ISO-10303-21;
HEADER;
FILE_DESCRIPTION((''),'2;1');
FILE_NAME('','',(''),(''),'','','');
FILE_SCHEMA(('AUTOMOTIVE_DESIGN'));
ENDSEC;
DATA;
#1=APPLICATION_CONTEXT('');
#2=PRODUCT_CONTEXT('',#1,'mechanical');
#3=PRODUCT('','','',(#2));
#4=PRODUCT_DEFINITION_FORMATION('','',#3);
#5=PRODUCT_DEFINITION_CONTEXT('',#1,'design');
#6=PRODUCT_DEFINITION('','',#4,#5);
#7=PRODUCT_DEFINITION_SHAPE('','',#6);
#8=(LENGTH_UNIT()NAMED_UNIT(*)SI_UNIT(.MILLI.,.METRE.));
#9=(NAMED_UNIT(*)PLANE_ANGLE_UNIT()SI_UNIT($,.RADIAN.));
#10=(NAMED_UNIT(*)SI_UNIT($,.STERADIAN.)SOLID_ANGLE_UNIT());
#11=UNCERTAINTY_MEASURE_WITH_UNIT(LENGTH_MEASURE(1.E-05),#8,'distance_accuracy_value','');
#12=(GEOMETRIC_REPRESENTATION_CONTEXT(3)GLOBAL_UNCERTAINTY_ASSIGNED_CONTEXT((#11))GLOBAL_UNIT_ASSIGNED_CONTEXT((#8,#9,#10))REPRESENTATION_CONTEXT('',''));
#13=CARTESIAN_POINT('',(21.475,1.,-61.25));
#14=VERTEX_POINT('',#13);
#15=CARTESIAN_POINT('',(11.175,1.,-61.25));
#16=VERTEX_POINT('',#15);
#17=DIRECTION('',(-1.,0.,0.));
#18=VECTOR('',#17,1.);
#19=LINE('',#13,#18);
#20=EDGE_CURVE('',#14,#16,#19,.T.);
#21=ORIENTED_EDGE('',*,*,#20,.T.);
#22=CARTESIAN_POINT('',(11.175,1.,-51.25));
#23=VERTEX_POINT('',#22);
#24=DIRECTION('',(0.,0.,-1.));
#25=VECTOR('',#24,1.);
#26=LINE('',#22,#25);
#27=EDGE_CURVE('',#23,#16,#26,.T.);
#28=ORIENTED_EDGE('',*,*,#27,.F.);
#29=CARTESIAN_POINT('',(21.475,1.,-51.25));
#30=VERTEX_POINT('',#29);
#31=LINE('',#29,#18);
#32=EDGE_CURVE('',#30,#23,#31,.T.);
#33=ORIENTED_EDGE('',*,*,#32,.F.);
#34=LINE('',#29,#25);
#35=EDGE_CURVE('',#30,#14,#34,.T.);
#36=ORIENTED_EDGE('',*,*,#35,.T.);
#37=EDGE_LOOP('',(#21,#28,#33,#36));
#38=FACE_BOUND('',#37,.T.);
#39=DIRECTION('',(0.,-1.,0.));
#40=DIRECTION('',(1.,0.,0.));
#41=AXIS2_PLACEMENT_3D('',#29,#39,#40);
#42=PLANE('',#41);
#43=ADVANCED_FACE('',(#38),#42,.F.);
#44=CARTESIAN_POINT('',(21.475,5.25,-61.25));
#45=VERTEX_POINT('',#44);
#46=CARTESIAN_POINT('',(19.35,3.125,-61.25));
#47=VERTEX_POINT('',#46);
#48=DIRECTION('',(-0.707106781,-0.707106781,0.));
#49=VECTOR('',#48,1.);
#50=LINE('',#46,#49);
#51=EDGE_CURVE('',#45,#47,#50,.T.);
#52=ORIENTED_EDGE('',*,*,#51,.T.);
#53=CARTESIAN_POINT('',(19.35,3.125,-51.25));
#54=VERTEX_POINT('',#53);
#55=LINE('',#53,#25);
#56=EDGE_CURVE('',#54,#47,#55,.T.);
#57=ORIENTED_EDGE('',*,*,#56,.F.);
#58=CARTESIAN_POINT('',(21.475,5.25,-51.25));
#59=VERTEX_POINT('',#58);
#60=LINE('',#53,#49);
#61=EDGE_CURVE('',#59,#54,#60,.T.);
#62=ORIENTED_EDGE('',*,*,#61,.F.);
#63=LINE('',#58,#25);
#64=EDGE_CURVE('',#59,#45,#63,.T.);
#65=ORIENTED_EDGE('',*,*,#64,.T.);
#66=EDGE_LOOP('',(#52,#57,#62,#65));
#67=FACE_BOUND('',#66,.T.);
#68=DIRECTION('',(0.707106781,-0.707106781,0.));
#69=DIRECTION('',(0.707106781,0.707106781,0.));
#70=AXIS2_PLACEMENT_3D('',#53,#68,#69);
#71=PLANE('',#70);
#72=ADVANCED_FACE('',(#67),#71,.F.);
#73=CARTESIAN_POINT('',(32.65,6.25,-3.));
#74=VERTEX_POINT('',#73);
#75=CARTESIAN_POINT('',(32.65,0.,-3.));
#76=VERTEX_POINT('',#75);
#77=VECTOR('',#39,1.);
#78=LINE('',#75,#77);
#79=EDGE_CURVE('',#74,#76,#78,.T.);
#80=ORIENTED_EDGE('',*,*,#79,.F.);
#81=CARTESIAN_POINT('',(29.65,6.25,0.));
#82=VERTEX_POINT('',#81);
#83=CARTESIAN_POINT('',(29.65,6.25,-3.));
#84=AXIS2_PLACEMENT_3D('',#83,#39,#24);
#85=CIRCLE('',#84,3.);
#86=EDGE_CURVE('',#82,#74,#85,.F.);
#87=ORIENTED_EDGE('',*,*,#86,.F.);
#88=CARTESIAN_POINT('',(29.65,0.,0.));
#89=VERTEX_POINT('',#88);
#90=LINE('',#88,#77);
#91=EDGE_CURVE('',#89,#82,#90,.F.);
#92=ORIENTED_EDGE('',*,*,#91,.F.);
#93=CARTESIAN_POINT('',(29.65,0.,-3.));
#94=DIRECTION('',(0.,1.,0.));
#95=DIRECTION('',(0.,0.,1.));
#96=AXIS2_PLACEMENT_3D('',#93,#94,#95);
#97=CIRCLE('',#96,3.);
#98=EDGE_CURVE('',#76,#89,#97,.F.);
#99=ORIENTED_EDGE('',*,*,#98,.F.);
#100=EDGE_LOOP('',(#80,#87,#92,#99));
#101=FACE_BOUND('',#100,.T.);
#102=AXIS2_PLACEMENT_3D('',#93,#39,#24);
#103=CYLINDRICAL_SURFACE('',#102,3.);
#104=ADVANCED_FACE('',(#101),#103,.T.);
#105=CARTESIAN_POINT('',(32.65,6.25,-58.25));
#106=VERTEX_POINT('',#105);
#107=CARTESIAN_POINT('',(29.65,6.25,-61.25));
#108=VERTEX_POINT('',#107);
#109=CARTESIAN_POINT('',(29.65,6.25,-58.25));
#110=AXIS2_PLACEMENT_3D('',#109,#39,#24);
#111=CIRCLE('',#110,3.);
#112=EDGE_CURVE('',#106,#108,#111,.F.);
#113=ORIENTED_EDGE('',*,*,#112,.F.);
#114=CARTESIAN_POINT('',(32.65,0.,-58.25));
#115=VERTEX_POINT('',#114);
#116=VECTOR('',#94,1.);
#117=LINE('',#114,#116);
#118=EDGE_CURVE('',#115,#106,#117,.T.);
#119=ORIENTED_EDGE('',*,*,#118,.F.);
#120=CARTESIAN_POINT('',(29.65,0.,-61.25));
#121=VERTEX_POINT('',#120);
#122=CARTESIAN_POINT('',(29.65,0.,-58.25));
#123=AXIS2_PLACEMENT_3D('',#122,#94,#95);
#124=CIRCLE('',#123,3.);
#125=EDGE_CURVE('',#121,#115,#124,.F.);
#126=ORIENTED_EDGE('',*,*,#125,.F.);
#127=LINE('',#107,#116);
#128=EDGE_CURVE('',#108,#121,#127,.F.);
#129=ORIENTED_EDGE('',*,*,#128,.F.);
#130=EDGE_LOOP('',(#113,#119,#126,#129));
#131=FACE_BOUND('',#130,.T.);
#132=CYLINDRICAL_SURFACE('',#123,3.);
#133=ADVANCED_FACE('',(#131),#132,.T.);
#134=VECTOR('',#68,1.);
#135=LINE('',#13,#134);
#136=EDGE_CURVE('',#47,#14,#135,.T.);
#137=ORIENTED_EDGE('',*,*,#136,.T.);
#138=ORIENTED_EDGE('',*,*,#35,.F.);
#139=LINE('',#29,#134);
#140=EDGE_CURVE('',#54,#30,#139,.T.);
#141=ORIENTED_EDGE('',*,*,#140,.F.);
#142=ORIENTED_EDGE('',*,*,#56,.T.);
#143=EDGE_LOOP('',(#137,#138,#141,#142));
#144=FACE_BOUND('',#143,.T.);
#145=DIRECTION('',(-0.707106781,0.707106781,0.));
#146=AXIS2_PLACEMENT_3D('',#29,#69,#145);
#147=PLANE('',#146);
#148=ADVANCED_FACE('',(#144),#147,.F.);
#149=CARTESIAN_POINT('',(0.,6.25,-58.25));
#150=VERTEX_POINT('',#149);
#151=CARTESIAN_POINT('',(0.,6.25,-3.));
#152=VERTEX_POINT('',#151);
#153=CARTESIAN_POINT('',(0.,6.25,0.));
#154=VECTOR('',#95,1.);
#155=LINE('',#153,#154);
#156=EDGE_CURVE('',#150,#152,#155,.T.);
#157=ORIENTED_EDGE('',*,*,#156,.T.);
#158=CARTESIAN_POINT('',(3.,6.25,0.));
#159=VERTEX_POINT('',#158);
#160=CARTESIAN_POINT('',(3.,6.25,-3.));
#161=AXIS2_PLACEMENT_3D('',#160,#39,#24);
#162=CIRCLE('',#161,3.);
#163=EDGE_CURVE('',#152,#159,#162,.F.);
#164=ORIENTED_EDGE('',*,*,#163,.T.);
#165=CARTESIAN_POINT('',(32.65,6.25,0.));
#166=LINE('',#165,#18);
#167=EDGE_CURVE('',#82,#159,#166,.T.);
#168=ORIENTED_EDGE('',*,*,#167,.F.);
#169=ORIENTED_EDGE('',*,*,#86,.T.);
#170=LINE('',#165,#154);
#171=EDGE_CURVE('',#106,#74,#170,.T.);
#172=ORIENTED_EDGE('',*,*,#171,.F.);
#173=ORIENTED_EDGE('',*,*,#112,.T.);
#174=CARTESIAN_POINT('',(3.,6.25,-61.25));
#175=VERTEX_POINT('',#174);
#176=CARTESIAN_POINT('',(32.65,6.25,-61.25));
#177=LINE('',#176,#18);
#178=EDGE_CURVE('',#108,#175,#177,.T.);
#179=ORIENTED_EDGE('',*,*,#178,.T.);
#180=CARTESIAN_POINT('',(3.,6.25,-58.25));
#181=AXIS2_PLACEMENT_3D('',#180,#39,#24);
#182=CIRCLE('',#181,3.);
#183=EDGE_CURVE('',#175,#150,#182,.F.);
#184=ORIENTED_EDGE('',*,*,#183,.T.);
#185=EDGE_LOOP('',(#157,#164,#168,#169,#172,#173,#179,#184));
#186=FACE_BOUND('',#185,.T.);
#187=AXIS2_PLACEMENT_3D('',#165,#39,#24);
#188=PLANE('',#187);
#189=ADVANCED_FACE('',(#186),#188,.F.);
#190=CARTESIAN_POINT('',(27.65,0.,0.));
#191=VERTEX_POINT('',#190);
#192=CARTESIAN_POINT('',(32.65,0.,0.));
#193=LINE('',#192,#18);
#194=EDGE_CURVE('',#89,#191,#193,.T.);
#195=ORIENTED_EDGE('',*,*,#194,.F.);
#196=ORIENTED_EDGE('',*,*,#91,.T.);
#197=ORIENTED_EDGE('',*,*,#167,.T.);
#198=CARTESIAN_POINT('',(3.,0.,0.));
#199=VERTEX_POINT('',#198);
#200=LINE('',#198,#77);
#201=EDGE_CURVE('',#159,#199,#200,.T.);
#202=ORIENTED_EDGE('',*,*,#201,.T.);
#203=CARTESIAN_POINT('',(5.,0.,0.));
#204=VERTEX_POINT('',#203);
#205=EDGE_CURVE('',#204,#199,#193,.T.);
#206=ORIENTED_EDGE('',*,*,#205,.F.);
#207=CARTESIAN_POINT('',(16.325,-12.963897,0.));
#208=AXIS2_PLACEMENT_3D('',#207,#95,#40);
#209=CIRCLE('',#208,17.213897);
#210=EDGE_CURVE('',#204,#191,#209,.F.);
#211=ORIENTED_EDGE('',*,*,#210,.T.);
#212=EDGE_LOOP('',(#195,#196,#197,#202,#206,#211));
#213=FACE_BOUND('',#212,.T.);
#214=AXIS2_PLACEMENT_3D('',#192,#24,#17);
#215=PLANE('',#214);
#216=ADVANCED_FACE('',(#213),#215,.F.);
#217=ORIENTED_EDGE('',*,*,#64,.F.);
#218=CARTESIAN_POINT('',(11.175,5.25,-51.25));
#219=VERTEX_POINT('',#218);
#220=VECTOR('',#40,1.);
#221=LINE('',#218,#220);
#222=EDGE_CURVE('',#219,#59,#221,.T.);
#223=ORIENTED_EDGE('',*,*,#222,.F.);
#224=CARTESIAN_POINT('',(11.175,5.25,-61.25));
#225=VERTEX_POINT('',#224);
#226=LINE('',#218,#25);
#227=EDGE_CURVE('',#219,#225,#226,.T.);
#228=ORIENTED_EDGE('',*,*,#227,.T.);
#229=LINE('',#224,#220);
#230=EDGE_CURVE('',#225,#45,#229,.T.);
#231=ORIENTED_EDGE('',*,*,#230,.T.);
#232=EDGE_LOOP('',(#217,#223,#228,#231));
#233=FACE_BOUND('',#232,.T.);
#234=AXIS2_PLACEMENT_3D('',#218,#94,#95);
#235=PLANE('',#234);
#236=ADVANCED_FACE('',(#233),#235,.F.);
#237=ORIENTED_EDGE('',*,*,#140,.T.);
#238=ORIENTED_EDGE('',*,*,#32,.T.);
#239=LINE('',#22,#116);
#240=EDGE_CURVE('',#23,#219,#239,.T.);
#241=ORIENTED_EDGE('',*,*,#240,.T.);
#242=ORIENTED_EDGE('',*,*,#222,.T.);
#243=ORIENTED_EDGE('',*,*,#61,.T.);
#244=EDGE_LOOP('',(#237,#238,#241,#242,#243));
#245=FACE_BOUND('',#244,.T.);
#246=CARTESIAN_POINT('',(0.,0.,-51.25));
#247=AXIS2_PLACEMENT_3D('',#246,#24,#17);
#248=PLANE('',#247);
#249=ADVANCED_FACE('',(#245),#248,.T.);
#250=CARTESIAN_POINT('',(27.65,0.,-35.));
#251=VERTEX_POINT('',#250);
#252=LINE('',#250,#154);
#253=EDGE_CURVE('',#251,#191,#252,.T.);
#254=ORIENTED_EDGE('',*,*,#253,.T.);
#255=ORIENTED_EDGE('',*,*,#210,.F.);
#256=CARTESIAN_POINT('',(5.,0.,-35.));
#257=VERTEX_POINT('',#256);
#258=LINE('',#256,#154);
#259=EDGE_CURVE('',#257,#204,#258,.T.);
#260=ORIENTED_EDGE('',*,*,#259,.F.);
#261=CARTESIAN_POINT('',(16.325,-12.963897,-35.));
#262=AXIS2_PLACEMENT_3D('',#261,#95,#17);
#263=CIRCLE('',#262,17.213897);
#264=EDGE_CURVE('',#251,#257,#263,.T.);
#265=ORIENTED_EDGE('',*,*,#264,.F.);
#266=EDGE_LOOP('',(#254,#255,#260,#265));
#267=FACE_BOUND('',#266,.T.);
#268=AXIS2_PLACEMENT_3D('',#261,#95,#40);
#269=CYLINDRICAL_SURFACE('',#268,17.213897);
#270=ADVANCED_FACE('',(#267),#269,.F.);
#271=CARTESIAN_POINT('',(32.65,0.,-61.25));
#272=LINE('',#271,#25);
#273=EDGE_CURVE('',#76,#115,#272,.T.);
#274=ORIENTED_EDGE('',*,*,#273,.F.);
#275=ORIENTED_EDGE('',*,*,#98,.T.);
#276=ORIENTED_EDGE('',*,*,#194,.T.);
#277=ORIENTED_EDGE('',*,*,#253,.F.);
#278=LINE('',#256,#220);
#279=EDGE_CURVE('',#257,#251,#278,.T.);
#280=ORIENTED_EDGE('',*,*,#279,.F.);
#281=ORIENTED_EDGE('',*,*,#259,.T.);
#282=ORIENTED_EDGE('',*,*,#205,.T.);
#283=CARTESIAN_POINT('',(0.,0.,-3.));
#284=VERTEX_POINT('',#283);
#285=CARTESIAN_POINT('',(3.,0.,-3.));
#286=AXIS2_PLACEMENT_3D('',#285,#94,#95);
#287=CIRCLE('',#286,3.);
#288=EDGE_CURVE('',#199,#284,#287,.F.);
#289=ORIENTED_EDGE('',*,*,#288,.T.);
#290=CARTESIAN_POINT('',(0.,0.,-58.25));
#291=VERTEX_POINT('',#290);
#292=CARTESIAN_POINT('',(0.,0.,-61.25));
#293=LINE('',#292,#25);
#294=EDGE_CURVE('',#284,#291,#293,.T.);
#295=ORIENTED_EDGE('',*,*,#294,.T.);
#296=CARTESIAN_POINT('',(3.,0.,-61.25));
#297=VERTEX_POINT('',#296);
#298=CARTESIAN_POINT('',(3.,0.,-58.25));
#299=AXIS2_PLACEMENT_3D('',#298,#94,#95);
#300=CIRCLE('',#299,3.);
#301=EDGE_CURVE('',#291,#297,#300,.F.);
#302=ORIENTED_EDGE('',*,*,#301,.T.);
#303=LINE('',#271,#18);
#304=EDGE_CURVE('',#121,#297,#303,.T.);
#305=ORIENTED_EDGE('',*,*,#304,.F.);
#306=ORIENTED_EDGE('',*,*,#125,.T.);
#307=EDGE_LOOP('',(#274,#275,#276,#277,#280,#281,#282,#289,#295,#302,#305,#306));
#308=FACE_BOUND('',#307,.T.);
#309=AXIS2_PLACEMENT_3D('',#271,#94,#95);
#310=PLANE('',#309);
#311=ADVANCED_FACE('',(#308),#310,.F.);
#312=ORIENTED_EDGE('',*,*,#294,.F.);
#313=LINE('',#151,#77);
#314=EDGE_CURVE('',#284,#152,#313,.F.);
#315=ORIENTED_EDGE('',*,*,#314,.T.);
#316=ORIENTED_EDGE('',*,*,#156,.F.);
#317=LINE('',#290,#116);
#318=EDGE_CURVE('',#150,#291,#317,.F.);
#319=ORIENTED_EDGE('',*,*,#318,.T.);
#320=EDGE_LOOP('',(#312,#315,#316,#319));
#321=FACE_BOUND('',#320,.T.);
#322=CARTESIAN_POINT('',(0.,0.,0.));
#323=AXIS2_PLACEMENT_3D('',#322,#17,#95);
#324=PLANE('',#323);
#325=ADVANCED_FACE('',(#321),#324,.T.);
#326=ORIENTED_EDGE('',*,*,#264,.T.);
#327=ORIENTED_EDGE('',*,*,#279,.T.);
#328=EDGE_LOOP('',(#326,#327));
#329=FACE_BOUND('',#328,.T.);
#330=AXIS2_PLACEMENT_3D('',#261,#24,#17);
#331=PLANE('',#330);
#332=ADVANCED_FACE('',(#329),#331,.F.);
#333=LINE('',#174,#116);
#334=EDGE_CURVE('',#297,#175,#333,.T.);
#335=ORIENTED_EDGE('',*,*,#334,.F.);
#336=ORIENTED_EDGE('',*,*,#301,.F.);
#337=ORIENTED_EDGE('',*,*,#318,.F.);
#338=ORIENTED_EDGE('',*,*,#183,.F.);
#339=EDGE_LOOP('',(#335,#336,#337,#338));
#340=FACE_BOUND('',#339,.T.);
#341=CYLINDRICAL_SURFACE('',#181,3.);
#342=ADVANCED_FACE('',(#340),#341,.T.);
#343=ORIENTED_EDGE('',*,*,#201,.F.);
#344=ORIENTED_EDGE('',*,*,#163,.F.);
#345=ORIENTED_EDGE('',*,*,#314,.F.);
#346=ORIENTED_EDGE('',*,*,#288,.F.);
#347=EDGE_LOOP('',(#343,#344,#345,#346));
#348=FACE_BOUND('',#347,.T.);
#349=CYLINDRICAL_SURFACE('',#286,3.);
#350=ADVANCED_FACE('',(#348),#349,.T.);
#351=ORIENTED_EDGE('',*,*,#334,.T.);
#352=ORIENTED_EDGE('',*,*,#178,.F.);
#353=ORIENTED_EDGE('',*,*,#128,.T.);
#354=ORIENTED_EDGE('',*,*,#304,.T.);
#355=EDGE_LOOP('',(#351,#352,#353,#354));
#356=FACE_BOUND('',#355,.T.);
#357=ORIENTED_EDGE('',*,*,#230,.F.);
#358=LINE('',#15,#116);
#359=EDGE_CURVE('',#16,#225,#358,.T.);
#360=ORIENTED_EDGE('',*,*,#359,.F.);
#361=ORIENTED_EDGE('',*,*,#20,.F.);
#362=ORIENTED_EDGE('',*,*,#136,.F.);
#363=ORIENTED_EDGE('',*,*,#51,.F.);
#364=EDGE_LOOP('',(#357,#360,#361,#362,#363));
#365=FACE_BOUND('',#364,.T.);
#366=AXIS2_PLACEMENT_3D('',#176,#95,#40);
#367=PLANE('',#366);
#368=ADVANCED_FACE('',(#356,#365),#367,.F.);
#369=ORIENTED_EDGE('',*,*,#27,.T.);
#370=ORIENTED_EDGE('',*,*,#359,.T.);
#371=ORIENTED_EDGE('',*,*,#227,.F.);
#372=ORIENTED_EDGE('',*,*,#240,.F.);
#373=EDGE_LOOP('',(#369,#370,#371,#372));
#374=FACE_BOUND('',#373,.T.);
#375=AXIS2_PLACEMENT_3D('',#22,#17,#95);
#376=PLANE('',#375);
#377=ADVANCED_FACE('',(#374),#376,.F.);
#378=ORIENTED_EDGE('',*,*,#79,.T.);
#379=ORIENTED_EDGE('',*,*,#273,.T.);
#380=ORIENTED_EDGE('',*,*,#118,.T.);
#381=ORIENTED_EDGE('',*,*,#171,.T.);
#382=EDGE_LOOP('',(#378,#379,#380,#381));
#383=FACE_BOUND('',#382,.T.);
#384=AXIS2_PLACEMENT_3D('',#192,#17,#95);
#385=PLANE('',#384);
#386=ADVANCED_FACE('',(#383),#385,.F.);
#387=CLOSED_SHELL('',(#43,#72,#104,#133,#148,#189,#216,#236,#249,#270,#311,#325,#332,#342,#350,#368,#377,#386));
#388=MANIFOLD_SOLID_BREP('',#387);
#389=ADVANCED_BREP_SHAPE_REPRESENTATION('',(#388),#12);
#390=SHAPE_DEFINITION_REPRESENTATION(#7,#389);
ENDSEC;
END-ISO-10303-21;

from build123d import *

# Parameters (mm, degrees)
SKETCH1_W               = 61.25
SKETCH1_H               = 6.25
BOSS_EXTRUDE1_DEPTH     = 32.65
CUT_EXTRUDE1_DEPTH      = 70.689651312
CUT_EXTRUDE1_DEPTH_BACK = 35
CUT_EXTRUDE2_DEPTH      = 10
FILLET1_R               = 3


with BuildPart() as part:
    # Sketch1 → Boss-Extrude1 (new body)
    with BuildSketch(Plane(origin=(0, 0, 0), x_dir=(0, 0, -1), z_dir=(1, 0, 0))):
        with Locations((30.625, 3.125)):
            Rectangle(SKETCH1_W, SKETCH1_H)
    extrude(amount=BOSS_EXTRUDE1_DEPTH)

    # Sketch2 → Cut-Extrude1 (cut, two sides: drawn at the far end of the back side and taken through both)
    with BuildSketch(Plane.XY.offset(-CUT_EXTRUDE1_DEPTH_BACK)):
        with BuildLine():
            Line((5, 0), (27.65, 0))
            ThreePointArc((27.65, 0), (16.325, 4.25), (5, 0))
        make_face()
    extrude(amount=CUT_EXTRUDE1_DEPTH + CUT_EXTRUDE1_DEPTH_BACK, mode=Mode.SUBTRACT)

    # Sketch3 → Cut-Extrude2 (cut)
    with BuildSketch(Plane(origin=(0, 0, -61.25), x_dir=(-1, 0, 0), z_dir=(0, 0, -1))):
        Polygon((-11.175, 1), (-11.175, 5.25), (-21.475, 5.25), (-19.35, 3.125), (-21.475, 1), align=None)
    extrude(amount=-CUT_EXTRUDE2_DEPTH, mode=Mode.SUBTRACT)

    # Fillet1
    fillet1_edges = [part.edges().sort_by_distance(p)[0] for p in [
        (32.65, 3.125, 0),
        (0, 3.125, 0),
        (0, 3.125, -61.25),
        (32.65, 3.125, -61.25),
    ]]
    fillet(fillet1_edges, radius=FILLET1_R)


solid = part.part
